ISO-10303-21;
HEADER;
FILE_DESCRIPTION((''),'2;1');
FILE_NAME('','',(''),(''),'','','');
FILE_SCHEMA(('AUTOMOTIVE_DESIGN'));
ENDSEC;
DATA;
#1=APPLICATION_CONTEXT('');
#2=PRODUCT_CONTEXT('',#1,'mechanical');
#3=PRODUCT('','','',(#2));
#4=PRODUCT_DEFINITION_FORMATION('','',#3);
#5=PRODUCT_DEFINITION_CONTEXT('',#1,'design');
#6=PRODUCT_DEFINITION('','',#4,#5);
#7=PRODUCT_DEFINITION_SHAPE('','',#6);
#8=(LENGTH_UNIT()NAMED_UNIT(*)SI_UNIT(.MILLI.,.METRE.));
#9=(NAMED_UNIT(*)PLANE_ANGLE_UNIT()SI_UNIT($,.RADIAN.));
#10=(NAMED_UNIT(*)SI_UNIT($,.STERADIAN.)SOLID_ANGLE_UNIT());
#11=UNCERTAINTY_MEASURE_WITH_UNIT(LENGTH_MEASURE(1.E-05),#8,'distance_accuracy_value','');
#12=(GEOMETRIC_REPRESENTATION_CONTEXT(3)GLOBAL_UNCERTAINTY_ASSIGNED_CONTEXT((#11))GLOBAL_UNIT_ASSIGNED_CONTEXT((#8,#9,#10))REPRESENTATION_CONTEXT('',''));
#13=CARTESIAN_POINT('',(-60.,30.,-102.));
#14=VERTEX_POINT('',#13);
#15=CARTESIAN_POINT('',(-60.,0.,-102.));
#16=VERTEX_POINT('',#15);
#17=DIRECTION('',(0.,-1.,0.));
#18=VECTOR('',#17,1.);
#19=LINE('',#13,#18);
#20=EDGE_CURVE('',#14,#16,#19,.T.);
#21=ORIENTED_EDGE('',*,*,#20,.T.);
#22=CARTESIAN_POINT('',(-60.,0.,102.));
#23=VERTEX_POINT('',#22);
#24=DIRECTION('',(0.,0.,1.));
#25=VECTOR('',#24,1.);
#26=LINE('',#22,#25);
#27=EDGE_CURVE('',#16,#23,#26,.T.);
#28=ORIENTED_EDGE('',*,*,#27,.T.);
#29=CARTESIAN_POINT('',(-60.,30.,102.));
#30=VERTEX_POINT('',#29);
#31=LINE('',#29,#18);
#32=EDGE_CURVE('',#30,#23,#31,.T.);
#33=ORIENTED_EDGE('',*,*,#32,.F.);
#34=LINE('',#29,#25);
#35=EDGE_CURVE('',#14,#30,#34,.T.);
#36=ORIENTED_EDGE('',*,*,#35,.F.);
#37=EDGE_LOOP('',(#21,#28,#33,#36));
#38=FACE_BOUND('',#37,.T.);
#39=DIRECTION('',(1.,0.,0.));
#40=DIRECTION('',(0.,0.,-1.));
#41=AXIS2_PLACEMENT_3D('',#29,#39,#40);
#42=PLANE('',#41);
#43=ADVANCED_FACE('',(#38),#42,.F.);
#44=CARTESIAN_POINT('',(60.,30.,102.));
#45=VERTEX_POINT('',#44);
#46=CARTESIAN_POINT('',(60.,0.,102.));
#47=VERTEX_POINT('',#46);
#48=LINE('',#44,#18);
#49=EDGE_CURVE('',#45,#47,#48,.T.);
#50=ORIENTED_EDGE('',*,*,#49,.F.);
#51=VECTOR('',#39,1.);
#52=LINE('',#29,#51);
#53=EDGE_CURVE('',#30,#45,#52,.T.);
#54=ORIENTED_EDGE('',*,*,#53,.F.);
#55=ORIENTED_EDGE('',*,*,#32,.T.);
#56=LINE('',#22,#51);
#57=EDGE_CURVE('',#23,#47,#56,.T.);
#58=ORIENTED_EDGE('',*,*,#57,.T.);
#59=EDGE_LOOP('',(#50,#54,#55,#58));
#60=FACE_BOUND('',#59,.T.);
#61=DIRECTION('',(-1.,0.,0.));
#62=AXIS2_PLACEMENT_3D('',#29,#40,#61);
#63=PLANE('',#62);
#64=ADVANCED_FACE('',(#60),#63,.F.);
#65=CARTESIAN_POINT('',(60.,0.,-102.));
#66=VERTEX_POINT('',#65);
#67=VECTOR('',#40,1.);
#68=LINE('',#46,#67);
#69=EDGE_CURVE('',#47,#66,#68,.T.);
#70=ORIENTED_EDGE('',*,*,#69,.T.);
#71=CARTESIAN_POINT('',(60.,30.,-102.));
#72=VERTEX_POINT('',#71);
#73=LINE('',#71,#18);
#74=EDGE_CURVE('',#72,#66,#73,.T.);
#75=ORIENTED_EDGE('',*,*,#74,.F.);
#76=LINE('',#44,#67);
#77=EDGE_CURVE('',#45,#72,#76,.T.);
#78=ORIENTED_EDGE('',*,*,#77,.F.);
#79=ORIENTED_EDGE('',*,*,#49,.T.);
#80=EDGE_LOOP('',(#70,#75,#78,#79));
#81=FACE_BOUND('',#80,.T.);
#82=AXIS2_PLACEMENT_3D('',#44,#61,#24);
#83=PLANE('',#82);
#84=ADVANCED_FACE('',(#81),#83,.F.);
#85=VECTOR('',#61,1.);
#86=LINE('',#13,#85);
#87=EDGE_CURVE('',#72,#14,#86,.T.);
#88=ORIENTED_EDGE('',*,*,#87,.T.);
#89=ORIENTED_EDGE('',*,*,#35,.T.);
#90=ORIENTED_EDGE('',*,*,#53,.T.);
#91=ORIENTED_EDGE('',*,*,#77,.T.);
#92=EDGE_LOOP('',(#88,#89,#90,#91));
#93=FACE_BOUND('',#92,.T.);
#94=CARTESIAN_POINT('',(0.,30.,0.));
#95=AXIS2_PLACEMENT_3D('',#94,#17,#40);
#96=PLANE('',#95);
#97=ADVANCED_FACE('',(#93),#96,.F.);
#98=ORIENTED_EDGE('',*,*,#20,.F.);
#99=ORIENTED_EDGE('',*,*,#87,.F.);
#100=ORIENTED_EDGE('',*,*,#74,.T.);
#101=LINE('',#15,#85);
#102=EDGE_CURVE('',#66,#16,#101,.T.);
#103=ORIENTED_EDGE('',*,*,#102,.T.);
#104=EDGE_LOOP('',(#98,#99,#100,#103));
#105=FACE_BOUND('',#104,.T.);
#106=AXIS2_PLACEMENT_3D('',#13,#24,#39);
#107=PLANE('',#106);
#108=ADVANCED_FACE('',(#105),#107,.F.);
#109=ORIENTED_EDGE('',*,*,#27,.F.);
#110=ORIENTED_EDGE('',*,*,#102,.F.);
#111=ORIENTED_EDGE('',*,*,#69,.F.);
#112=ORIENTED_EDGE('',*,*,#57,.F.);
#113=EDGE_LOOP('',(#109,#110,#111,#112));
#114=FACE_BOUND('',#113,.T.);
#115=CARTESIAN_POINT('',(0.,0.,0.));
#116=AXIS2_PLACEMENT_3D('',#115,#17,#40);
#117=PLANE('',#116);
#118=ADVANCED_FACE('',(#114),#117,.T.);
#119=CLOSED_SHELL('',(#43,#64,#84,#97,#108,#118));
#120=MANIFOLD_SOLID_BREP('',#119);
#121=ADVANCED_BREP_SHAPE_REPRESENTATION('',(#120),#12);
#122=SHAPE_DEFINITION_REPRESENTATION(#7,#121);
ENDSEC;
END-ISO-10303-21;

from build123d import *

# Parameters (mm, degrees)
SKETCH1_W           = 120
SKETCH1_H           = 204
BOSS_EXTRUDE1_DEPTH = 30


with BuildPart() as part:
    # Sketch1 → Boss-Extrude1 (new body)
    with BuildSketch(Plane(origin=(0, 0, 0), x_dir=(1, 0, 0), z_dir=(0, 1, 0))):
        Rectangle(SKETCH1_W, SKETCH1_H)
    extrude(amount=BOSS_EXTRUDE1_DEPTH)


solid = part.part
